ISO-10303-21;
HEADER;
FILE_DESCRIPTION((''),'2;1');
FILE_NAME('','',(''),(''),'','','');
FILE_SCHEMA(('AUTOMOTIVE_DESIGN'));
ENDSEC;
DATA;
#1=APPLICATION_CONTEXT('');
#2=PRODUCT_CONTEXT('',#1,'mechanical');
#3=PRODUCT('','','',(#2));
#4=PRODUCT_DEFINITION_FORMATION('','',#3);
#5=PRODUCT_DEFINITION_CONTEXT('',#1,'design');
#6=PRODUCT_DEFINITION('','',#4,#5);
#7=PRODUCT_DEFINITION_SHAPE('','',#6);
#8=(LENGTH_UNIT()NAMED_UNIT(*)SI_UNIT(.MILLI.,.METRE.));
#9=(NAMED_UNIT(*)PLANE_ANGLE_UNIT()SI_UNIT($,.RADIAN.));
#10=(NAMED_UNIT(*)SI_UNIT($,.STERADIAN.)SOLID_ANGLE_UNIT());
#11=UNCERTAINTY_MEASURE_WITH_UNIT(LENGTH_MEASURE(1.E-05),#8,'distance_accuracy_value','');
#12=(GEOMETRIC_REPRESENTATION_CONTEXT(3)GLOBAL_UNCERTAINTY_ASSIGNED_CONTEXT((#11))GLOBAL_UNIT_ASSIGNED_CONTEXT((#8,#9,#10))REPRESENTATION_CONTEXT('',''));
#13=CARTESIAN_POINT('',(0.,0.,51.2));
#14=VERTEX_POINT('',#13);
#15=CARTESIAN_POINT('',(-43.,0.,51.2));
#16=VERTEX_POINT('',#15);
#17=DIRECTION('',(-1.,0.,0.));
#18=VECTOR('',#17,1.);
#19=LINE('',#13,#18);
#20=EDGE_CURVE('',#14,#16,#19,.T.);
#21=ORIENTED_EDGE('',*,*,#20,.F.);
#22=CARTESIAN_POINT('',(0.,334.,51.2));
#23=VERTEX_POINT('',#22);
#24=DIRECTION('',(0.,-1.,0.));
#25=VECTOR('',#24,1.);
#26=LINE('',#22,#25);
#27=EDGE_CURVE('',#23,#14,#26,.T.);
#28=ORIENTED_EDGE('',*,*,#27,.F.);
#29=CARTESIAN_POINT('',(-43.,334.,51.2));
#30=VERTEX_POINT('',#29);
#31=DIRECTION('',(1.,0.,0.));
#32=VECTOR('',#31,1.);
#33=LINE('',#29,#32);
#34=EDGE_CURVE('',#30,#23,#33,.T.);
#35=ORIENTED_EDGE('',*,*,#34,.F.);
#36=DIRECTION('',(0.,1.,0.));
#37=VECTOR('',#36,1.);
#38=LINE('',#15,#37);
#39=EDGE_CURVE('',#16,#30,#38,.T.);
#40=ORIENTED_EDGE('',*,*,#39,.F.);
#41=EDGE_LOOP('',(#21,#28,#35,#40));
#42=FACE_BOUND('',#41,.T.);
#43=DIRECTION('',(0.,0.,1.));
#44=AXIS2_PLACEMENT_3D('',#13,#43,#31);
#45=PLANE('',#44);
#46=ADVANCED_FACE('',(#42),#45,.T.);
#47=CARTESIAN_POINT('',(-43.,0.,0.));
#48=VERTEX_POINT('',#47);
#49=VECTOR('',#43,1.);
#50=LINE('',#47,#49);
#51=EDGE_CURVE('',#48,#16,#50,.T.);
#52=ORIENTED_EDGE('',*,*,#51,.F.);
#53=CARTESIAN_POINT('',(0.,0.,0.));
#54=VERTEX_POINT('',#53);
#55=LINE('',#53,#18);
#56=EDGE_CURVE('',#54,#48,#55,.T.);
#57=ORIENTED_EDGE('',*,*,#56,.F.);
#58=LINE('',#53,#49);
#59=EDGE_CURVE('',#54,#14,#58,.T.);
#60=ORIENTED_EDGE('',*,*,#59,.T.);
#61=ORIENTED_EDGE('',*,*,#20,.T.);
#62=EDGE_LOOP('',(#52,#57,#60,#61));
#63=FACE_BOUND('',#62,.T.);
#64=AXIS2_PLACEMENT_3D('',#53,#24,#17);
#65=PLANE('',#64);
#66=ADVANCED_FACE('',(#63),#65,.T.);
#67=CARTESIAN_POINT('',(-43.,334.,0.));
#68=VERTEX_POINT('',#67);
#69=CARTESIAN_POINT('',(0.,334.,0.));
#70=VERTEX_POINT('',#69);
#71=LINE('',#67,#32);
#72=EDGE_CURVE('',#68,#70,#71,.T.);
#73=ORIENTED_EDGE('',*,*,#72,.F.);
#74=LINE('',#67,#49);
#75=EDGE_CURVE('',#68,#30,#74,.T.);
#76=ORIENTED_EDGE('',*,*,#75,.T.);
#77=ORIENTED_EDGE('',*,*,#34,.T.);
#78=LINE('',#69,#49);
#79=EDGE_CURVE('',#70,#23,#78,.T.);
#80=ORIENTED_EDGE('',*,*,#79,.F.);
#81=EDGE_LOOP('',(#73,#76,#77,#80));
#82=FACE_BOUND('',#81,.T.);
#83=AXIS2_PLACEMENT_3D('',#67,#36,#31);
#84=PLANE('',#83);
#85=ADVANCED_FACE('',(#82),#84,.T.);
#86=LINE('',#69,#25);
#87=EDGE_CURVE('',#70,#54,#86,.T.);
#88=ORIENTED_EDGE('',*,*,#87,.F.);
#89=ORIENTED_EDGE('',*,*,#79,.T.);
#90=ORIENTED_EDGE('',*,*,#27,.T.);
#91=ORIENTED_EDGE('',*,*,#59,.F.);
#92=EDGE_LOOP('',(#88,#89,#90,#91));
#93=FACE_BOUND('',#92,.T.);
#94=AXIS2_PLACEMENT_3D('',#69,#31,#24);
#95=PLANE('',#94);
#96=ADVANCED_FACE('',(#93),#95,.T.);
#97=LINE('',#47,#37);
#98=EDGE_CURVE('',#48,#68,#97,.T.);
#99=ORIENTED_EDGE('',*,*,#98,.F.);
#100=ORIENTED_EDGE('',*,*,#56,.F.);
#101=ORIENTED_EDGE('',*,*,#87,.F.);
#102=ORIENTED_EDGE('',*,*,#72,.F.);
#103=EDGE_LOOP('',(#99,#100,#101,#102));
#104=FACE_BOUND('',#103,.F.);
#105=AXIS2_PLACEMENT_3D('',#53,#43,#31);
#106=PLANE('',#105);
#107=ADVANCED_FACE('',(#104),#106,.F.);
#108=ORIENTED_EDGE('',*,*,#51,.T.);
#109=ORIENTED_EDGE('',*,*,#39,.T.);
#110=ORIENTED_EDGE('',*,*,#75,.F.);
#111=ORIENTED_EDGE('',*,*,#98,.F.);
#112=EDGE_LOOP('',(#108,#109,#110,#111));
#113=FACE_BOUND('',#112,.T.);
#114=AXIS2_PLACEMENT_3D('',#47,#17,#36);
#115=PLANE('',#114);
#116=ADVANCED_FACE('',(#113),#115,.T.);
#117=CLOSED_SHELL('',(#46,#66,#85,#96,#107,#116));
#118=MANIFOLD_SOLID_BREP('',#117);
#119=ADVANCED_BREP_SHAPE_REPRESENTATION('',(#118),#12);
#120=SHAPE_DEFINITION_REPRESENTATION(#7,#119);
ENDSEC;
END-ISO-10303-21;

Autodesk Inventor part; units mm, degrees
ref_plane "YZ Plane" through (0, 0, 0) normal (1, 0, 0) x (0, 1, 0)
ref_plane "XZ Plane" through (0, 0, 0) normal (0, 1, 0) x (-1, 0, 0)
ref_plane "XY Plane" through (0, 0, 0) normal (0, 0, 1) x (1, 0, 0)
sketch "Sketch1" plane through (0, 0, 0) normal (0, 0, 1) x (1, 0, 0)
  line L0 (0, 0) -> (-43, 0)
  line L1 (-43, 0) -> (-43, 334)
  line L2 (-43, 334) -> (0, 334)
  line L3 (0, 334) -> (0, 0)
  dimension "d0" = 43
  dimension "d1" = 334
extrude "Extrusion1" add sketch "Sketch1" along normal blind 51.2
properties part number "PiezaPuerta-4"
